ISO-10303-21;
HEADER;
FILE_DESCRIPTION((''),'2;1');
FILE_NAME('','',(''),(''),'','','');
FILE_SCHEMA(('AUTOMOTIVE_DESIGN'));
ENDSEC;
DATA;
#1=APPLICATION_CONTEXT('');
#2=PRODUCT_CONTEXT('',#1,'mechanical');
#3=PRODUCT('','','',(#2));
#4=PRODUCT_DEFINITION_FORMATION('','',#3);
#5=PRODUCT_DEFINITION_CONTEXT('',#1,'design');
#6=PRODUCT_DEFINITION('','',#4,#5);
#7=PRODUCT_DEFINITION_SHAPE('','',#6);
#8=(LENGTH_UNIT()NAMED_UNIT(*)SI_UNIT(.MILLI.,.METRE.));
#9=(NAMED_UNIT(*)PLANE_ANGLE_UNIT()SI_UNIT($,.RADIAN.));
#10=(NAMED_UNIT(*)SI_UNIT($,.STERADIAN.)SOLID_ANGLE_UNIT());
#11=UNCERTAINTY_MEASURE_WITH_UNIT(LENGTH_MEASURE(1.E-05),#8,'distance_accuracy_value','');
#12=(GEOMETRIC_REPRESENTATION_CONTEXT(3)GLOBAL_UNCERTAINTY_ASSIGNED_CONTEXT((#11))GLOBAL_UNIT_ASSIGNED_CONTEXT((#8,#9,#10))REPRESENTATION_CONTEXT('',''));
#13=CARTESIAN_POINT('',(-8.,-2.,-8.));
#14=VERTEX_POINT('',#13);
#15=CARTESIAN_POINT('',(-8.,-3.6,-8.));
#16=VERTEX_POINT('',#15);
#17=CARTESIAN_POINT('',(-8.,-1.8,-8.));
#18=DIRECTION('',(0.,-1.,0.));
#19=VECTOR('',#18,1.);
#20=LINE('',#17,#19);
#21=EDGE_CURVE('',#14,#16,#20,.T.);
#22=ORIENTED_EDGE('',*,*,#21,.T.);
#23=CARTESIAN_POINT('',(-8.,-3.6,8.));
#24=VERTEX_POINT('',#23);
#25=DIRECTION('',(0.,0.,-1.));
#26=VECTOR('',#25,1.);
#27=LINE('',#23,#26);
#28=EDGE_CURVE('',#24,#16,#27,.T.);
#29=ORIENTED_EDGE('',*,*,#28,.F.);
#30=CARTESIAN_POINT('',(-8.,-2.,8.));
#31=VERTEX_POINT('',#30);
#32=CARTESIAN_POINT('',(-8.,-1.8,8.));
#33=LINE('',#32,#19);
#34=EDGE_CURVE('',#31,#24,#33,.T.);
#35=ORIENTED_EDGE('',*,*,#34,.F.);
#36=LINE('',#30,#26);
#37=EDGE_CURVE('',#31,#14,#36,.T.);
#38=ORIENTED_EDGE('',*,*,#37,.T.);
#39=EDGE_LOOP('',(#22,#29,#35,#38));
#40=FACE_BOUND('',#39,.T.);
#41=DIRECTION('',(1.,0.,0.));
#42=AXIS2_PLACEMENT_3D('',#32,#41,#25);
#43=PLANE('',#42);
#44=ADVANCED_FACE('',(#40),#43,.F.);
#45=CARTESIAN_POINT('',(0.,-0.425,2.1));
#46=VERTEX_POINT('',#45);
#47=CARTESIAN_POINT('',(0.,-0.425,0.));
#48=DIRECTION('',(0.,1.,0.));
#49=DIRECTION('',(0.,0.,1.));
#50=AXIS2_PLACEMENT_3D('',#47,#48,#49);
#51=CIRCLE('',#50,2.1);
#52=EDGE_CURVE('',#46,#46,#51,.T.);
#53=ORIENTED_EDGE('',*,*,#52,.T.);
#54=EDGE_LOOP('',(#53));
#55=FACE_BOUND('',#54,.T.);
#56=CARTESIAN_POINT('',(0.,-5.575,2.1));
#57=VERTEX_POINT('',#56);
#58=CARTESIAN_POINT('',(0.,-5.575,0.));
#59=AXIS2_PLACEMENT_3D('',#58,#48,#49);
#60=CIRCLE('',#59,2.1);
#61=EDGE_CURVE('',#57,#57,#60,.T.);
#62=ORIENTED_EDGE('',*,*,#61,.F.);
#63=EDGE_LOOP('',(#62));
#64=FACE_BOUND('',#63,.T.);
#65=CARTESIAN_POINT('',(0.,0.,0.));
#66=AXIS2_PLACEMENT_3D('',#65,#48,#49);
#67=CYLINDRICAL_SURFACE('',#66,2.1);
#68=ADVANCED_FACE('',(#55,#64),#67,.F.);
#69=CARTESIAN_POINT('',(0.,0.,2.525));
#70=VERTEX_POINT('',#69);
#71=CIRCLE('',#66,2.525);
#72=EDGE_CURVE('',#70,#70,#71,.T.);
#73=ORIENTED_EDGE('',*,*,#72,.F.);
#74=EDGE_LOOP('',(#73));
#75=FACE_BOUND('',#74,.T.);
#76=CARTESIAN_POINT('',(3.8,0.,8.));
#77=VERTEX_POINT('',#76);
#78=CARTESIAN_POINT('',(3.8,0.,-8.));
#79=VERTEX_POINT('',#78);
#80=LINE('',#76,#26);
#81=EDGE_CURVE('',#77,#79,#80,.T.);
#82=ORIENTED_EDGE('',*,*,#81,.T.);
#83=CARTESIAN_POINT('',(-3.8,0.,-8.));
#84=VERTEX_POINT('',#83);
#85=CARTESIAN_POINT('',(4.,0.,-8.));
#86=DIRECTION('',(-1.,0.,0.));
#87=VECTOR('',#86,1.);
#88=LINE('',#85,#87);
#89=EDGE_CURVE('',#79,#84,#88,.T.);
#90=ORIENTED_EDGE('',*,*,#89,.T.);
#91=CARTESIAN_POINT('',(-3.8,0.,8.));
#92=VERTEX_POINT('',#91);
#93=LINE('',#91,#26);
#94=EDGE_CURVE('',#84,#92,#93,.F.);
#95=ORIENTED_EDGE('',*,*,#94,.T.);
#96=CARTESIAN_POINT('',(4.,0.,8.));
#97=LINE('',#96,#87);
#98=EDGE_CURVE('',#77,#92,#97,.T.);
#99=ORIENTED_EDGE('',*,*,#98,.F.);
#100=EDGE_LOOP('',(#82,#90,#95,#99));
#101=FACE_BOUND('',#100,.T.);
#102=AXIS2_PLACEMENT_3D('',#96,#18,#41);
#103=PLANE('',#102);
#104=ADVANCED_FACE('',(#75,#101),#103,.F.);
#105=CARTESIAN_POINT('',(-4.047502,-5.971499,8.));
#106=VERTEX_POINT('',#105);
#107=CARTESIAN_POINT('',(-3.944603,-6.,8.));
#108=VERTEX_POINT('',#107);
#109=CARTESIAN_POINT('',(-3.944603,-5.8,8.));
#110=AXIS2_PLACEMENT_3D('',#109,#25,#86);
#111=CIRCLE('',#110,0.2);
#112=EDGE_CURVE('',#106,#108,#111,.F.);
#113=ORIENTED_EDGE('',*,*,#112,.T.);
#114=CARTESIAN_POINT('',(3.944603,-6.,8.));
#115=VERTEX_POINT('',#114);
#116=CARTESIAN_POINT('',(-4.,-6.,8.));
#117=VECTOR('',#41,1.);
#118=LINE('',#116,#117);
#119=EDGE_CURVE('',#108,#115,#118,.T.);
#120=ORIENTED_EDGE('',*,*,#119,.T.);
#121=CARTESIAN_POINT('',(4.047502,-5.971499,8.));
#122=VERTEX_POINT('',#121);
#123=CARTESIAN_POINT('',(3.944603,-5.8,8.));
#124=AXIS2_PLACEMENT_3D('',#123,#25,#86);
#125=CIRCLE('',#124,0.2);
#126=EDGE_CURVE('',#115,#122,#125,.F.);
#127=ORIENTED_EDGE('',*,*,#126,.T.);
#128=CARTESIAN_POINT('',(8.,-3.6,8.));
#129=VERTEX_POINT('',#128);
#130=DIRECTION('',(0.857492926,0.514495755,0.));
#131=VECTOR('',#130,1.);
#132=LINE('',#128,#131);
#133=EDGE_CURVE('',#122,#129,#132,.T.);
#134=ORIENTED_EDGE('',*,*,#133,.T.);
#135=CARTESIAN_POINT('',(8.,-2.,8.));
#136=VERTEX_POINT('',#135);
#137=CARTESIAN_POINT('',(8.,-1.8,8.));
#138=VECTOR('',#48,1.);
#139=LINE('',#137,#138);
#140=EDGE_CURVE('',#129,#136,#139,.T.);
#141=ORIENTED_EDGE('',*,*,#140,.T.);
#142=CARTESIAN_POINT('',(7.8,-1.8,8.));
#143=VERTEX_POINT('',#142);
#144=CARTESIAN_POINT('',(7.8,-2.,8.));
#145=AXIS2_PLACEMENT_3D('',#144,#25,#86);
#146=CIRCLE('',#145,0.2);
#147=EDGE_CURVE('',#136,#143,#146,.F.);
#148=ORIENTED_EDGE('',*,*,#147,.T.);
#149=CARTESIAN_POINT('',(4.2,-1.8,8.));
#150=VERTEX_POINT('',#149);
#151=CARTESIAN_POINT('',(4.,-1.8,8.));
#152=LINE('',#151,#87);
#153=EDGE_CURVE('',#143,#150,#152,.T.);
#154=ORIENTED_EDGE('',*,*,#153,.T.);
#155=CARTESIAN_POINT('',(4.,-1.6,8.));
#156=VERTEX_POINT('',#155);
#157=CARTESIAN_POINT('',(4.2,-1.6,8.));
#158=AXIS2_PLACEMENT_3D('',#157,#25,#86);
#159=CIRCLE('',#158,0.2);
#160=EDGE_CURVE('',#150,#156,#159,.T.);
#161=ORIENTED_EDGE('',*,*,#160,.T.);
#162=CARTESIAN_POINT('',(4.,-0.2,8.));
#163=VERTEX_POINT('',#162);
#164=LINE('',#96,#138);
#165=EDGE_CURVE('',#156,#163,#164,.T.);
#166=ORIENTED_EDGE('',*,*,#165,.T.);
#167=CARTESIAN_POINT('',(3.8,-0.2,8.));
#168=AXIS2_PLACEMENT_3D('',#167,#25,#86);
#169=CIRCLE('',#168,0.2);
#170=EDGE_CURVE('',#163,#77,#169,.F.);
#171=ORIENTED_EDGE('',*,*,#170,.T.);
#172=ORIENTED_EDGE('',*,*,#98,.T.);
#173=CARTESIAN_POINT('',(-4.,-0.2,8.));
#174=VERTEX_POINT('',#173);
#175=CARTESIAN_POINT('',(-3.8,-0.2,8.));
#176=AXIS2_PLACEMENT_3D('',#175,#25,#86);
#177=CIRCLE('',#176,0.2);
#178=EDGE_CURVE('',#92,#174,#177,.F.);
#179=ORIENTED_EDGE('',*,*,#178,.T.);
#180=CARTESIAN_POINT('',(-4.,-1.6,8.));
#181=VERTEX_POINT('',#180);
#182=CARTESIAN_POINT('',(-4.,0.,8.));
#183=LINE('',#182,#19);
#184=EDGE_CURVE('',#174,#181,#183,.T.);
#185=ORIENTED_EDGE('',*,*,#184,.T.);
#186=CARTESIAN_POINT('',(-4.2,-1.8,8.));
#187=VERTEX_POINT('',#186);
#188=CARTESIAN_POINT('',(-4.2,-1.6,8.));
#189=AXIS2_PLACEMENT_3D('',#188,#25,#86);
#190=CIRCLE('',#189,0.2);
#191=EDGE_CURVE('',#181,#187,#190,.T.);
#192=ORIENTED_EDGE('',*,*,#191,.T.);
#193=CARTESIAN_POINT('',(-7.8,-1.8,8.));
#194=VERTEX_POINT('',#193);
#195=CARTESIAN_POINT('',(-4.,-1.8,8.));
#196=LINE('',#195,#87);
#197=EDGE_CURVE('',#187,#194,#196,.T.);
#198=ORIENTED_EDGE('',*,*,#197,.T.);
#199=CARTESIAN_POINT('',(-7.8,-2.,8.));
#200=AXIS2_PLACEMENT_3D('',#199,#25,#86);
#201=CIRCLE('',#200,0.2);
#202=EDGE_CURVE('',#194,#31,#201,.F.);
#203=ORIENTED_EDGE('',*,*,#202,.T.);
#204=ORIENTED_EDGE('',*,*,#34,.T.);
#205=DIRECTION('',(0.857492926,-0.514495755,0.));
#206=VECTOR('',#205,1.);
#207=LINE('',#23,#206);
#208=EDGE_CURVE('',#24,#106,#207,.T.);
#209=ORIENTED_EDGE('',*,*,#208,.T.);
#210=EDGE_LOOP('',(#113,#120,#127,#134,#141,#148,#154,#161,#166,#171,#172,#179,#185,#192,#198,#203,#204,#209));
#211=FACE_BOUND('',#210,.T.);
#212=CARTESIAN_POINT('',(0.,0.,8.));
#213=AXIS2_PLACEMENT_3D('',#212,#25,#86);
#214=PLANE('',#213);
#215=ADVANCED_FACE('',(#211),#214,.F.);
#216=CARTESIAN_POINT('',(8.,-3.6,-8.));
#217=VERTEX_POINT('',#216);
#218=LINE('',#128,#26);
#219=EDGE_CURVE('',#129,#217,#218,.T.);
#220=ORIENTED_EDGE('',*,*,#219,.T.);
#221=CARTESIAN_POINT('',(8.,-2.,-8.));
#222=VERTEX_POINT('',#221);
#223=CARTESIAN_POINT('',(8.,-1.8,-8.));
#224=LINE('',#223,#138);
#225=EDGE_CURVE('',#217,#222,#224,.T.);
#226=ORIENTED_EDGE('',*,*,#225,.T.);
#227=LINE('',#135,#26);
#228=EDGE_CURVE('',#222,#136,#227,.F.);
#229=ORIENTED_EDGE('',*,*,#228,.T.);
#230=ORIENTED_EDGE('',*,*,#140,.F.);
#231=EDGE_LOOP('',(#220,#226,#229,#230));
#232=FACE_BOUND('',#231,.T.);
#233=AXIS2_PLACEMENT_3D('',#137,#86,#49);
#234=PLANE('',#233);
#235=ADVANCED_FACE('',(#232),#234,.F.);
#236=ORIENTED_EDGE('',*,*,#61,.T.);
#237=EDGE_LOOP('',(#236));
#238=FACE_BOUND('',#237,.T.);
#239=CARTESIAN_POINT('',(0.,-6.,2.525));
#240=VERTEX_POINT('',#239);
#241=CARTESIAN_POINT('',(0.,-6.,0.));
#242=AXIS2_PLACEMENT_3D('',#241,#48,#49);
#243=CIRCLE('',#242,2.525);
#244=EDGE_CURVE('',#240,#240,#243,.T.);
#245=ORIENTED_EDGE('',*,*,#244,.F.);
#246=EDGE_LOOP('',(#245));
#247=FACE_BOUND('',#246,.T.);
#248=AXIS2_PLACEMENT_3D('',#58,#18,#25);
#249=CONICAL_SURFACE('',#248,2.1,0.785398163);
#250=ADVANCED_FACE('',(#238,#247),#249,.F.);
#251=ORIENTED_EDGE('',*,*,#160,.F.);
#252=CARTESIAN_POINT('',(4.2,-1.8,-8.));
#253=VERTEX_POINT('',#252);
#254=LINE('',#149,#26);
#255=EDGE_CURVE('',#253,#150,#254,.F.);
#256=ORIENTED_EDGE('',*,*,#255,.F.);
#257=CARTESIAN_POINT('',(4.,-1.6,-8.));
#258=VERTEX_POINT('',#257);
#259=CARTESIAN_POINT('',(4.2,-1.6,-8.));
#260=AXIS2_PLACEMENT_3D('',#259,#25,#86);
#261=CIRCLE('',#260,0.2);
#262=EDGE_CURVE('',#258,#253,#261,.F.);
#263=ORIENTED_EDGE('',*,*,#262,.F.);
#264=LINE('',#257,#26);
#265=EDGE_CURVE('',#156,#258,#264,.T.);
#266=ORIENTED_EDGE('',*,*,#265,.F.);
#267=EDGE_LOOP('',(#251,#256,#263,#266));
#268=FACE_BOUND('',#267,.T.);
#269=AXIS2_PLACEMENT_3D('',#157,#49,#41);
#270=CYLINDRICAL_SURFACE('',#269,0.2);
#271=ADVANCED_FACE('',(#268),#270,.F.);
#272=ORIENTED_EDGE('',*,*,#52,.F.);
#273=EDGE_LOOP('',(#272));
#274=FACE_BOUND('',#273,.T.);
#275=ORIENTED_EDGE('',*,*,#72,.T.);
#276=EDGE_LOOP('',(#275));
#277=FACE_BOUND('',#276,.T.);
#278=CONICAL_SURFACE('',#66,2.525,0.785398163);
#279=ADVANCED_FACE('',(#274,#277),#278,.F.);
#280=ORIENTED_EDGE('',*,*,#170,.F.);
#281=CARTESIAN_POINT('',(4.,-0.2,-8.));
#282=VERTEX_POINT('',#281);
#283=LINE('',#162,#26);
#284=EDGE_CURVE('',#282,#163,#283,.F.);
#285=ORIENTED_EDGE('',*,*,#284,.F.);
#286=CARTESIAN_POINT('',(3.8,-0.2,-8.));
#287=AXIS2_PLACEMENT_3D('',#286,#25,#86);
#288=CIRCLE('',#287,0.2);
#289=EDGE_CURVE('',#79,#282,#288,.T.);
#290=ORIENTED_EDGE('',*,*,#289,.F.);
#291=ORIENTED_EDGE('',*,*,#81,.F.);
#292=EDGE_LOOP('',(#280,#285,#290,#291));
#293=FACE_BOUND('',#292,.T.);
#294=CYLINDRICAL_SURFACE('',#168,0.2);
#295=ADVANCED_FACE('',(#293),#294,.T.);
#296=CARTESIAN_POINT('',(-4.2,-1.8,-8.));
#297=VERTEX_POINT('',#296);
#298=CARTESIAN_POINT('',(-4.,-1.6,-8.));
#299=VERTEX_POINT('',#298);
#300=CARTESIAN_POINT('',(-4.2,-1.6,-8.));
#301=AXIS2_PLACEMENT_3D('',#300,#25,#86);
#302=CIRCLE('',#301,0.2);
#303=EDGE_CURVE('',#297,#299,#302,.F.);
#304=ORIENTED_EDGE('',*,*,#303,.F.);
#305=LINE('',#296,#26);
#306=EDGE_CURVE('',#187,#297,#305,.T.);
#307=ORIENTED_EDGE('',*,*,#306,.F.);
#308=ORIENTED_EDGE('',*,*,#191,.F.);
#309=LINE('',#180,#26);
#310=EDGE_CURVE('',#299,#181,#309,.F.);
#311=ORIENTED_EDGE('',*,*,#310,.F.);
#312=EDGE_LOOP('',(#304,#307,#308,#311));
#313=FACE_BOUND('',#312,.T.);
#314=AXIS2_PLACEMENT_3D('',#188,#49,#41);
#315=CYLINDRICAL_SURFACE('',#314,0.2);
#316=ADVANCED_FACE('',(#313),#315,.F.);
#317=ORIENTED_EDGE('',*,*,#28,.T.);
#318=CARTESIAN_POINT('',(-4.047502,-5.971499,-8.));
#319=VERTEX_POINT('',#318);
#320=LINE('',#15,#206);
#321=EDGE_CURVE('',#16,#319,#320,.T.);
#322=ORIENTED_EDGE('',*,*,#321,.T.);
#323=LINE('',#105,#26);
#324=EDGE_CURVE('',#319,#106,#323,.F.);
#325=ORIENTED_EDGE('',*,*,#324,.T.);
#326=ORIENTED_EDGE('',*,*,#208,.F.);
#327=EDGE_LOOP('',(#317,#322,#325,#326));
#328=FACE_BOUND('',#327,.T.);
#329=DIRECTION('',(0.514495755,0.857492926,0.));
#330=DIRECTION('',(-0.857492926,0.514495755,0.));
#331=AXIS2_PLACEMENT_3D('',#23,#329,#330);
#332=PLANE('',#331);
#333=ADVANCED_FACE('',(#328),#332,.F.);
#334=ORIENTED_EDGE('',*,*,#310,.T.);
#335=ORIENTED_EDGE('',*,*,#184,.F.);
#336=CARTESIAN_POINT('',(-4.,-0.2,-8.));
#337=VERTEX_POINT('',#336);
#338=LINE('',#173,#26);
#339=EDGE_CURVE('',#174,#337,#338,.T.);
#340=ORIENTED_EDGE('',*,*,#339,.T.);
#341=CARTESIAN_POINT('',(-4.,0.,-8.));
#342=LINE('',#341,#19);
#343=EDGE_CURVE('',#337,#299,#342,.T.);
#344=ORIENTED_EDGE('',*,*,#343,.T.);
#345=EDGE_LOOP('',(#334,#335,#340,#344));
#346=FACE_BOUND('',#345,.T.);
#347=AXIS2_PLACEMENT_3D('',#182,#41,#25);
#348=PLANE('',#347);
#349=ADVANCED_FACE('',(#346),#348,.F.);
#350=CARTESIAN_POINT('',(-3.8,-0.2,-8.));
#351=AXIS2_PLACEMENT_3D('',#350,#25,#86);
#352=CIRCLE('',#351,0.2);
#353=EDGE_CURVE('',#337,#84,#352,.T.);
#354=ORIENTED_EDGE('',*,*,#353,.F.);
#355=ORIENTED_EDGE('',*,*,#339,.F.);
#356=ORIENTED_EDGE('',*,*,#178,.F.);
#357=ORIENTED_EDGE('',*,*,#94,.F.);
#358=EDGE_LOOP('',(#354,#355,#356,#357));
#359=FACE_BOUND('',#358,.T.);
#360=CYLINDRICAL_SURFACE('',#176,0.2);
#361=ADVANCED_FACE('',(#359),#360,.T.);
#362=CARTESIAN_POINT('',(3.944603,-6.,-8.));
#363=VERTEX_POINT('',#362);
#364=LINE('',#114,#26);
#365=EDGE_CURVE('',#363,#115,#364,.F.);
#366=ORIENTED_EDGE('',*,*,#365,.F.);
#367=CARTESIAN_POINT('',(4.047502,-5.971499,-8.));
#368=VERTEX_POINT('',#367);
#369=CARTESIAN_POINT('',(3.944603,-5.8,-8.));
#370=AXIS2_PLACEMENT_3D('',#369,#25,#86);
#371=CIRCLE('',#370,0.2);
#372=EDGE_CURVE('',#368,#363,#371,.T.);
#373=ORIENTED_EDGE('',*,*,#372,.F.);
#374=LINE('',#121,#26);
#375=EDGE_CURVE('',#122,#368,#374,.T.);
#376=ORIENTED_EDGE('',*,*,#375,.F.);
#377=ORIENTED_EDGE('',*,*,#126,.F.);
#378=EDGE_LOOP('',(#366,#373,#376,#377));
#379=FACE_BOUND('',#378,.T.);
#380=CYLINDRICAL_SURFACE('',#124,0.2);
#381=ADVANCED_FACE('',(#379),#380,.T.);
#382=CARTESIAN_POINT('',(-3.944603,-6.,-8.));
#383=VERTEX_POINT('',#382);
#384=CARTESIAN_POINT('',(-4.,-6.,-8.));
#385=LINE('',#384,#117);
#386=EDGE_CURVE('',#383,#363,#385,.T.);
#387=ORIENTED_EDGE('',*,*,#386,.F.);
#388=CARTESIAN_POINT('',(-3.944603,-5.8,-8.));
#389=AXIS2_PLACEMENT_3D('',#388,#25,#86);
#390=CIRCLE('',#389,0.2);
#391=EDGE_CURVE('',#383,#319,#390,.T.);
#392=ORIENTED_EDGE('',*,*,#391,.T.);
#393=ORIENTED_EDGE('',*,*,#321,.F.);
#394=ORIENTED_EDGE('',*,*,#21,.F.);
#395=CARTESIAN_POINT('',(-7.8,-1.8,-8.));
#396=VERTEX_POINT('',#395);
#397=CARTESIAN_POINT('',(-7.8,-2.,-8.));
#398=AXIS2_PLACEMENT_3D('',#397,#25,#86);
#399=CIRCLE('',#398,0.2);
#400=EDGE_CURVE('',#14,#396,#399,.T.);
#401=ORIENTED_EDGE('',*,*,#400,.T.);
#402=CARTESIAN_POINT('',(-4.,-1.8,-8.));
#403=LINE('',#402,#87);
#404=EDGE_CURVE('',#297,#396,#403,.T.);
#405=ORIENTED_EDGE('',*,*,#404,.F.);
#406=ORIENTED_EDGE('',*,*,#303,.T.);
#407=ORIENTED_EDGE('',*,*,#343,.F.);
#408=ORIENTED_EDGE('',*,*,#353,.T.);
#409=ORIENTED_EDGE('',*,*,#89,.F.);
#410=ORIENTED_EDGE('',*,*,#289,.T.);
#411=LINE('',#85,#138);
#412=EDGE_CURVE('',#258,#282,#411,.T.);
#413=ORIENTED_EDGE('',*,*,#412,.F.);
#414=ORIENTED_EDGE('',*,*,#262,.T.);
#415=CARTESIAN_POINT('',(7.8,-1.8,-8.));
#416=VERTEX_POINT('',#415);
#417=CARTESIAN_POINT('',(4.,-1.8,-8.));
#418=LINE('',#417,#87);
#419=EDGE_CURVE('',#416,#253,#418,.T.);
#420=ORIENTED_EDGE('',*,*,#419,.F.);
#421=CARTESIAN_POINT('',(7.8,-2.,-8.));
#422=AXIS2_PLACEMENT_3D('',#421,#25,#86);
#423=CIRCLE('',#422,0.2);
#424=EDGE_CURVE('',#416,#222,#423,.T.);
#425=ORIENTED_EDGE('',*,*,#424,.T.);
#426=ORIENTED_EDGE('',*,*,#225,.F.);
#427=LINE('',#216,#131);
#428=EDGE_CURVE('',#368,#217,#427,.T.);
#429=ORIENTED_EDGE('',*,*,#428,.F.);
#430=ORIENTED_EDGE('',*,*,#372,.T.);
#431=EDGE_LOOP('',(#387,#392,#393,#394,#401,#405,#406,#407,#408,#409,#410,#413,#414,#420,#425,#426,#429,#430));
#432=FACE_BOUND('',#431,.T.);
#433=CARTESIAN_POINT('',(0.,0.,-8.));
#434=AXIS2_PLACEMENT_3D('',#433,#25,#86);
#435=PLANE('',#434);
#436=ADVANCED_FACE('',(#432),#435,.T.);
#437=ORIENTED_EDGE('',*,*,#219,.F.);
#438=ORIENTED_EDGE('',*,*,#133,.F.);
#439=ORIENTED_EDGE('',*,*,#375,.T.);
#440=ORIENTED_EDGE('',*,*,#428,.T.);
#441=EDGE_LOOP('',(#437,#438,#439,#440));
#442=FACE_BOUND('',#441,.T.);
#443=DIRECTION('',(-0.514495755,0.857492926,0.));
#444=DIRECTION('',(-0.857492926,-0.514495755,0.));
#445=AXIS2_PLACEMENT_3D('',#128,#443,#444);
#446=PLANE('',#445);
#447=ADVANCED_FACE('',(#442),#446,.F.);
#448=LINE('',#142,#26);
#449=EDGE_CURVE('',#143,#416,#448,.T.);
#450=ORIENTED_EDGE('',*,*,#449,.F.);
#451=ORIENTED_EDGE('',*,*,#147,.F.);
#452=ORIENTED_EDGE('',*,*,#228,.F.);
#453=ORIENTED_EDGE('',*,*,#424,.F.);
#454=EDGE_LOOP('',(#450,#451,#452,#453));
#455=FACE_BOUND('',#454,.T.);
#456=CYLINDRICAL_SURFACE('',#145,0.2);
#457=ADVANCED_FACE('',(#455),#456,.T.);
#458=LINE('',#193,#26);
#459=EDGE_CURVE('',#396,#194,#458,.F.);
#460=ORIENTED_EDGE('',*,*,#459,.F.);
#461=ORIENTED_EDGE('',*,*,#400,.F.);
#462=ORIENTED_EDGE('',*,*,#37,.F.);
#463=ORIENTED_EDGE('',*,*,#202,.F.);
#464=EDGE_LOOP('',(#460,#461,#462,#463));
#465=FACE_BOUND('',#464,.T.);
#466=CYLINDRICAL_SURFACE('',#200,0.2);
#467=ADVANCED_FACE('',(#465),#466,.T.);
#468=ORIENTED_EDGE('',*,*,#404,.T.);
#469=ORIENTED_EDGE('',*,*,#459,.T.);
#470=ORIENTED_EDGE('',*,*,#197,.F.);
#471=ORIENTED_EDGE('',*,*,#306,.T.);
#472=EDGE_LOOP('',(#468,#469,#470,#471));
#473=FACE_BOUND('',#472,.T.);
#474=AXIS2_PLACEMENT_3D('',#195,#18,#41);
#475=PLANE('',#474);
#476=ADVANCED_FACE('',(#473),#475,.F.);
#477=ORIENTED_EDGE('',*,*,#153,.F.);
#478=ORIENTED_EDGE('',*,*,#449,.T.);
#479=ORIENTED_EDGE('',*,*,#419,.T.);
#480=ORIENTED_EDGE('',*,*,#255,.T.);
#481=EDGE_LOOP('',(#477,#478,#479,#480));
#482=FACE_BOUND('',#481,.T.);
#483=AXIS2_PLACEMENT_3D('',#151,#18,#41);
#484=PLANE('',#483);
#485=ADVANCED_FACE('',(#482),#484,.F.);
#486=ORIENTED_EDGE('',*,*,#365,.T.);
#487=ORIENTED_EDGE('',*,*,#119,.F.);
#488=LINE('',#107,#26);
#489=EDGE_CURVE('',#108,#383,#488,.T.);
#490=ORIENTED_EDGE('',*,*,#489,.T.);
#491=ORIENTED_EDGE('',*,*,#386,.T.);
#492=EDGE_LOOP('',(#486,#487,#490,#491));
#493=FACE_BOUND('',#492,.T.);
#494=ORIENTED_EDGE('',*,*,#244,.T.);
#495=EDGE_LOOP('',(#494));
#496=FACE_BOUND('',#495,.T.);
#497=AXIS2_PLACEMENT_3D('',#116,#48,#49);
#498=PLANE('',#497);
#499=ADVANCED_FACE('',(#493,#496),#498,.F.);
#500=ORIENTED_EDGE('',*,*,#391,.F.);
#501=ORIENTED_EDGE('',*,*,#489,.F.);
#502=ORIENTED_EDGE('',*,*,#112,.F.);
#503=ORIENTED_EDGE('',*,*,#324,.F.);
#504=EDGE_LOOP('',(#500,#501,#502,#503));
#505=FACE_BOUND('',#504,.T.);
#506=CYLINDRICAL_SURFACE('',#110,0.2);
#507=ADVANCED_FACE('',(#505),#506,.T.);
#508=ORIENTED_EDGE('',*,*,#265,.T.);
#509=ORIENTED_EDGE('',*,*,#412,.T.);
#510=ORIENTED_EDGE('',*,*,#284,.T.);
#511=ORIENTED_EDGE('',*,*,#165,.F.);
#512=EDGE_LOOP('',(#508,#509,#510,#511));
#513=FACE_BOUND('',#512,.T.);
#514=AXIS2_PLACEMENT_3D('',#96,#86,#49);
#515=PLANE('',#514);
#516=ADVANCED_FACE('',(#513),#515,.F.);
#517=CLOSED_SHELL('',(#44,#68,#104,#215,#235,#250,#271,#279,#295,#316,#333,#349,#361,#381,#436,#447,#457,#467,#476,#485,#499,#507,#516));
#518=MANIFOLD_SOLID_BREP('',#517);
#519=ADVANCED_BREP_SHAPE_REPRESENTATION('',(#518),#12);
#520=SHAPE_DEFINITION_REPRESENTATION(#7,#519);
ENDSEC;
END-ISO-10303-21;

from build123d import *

# Parameters (mm, degrees)
EXTRUDE_1_DEPTH = 8
FILLET_1_R      = 0.2


with BuildPart() as part:
    # Эскиз1 → Бобышка-Вытянуть1 (new body, symmetric)
    with BuildSketch(Plane.XY):
        Polygon((4, 0), (-4, 0), (-4, -1.8), (-8, -1.8), (-8, -3.6), (-4, -6), (4, -6), (8, -3.6), (8, -1.8), (4, -1.8), align=None)
    extrude(amount=EXTRUDE_1_DEPTH, both=True)

    # Эскиз4 → Отверстие обработанное метчиком M52 (revolve, cut)
    with BuildSketch(Plane(origin=(0, 0, 0), x_dir=(0, 0, 1), z_dir=(1, 0, 0))):
        Polygon((0, 0), (0, 6), (2.525, 6), (2.1, 5.575), (2.1, 0.425), (2.525, 0), align=None)
    revolve(axis=Axis((0, 6.35, 0), (0, -1, 0)), mode=Mode.SUBTRACT)

    # Скругление1
    fillet_1_edges = [part.edges().sort_by_distance(p)[0] for p in [
        (-4, 0, 0),
        (4, 0, 0),
        (4, -1.8, 0),
        (8, -1.8, 0),
        (4, -6, 0),
        (-4, -6, 0),
        (-8, -1.8, 0),
        (-4, -1.8, 0),
    ]]
    fillet(fillet_1_edges, radius=FILLET_1_R)


solid = part.part
